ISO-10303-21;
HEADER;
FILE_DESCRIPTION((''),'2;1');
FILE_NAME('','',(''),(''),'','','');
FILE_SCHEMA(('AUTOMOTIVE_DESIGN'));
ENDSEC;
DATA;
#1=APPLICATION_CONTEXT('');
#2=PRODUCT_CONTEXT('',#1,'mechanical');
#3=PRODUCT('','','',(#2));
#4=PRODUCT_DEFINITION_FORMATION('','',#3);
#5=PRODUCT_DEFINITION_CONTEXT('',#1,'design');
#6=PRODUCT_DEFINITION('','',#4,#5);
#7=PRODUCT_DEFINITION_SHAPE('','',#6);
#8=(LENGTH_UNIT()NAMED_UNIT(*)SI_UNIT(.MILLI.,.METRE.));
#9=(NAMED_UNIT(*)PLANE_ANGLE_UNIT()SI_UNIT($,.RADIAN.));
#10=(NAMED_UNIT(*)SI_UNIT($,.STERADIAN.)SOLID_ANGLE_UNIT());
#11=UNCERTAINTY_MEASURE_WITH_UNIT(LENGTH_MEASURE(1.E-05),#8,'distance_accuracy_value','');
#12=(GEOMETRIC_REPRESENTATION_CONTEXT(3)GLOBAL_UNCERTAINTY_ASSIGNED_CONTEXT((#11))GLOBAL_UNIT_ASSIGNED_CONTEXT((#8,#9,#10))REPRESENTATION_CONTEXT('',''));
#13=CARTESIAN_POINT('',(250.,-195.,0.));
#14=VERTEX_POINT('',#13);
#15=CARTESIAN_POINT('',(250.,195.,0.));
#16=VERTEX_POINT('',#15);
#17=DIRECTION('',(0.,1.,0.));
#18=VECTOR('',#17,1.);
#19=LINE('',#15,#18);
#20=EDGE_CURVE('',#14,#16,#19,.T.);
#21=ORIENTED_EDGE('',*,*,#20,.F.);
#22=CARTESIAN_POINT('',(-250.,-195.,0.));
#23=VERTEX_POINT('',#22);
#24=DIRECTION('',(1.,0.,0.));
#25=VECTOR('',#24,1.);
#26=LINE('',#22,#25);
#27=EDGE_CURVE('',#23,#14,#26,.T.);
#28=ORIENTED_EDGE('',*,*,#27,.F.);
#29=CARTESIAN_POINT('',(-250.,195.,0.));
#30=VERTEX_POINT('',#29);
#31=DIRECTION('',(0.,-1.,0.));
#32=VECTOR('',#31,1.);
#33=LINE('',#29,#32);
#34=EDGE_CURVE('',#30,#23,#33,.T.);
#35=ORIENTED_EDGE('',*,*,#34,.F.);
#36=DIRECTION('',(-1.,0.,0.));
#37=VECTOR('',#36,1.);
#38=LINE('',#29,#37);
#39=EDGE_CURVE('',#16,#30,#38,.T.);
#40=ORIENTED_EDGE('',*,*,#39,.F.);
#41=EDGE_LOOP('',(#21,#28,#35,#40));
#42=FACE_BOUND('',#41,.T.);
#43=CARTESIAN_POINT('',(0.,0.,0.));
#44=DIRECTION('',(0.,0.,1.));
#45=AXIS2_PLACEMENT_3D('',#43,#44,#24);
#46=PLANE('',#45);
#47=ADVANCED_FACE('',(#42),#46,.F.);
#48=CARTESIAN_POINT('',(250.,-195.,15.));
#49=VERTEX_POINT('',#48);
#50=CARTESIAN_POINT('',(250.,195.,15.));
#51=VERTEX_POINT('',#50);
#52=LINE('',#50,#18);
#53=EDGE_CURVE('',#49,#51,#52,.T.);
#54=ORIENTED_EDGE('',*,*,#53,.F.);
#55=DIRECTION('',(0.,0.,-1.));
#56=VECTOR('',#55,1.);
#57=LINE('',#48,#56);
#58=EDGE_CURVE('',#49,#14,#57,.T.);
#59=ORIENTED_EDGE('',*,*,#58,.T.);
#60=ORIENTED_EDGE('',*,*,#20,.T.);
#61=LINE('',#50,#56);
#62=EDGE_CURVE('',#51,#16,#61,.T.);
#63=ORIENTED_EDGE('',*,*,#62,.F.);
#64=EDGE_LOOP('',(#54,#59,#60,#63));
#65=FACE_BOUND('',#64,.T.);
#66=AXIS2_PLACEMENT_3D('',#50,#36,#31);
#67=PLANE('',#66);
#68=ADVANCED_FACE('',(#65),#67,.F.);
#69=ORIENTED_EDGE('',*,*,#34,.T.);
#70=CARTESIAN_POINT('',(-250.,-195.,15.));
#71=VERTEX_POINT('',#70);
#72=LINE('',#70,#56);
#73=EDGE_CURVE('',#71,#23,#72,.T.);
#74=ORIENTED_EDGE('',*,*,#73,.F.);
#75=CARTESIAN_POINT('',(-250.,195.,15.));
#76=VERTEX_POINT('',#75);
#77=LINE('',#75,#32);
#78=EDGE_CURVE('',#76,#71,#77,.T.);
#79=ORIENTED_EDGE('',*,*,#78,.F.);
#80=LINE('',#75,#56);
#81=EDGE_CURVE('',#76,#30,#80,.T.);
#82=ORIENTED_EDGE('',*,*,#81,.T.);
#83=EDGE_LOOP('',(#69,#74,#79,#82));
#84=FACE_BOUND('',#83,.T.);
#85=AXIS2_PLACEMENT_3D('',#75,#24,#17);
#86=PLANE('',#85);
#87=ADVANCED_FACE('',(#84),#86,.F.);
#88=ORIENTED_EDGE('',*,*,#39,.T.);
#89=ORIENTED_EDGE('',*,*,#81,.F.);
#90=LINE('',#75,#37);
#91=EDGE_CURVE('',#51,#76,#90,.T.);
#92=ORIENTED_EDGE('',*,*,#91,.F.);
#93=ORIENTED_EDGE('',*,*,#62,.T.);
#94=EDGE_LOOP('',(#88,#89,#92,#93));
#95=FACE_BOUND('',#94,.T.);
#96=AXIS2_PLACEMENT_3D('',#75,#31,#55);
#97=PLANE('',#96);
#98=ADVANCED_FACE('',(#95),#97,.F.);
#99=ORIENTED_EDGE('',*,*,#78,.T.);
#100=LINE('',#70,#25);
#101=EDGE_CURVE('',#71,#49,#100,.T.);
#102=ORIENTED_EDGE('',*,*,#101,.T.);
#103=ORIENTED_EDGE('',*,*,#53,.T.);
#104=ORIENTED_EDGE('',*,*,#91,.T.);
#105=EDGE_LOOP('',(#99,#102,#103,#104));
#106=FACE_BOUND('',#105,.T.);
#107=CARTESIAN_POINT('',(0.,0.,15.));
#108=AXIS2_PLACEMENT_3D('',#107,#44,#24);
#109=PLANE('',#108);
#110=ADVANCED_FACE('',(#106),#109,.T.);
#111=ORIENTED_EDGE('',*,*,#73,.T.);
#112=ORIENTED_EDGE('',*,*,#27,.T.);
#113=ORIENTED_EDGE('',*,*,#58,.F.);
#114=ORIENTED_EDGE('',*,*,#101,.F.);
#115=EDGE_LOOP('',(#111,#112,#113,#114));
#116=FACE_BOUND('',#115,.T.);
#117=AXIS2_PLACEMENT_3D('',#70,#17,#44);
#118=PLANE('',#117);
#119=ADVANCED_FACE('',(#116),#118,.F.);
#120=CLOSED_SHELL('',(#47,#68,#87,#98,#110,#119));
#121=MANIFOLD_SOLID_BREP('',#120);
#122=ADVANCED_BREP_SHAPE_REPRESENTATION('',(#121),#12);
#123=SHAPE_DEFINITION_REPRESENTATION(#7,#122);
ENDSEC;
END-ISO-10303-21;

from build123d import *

# Parameters (mm, degrees)
ESBO_O1_W                = 500
ESBO_O1_H                = 390
RESSALTO_EXTRUS_O1_DEPTH = 15


with BuildPart() as part:
    # Esboço1 → Ressalto-extrusão1 (new body)
    with BuildSketch(Plane.XY):
        Rectangle(ESBO_O1_W, ESBO_O1_H)
    extrude(amount=RESSALTO_EXTRUS_O1_DEPTH)


solid = part.part
